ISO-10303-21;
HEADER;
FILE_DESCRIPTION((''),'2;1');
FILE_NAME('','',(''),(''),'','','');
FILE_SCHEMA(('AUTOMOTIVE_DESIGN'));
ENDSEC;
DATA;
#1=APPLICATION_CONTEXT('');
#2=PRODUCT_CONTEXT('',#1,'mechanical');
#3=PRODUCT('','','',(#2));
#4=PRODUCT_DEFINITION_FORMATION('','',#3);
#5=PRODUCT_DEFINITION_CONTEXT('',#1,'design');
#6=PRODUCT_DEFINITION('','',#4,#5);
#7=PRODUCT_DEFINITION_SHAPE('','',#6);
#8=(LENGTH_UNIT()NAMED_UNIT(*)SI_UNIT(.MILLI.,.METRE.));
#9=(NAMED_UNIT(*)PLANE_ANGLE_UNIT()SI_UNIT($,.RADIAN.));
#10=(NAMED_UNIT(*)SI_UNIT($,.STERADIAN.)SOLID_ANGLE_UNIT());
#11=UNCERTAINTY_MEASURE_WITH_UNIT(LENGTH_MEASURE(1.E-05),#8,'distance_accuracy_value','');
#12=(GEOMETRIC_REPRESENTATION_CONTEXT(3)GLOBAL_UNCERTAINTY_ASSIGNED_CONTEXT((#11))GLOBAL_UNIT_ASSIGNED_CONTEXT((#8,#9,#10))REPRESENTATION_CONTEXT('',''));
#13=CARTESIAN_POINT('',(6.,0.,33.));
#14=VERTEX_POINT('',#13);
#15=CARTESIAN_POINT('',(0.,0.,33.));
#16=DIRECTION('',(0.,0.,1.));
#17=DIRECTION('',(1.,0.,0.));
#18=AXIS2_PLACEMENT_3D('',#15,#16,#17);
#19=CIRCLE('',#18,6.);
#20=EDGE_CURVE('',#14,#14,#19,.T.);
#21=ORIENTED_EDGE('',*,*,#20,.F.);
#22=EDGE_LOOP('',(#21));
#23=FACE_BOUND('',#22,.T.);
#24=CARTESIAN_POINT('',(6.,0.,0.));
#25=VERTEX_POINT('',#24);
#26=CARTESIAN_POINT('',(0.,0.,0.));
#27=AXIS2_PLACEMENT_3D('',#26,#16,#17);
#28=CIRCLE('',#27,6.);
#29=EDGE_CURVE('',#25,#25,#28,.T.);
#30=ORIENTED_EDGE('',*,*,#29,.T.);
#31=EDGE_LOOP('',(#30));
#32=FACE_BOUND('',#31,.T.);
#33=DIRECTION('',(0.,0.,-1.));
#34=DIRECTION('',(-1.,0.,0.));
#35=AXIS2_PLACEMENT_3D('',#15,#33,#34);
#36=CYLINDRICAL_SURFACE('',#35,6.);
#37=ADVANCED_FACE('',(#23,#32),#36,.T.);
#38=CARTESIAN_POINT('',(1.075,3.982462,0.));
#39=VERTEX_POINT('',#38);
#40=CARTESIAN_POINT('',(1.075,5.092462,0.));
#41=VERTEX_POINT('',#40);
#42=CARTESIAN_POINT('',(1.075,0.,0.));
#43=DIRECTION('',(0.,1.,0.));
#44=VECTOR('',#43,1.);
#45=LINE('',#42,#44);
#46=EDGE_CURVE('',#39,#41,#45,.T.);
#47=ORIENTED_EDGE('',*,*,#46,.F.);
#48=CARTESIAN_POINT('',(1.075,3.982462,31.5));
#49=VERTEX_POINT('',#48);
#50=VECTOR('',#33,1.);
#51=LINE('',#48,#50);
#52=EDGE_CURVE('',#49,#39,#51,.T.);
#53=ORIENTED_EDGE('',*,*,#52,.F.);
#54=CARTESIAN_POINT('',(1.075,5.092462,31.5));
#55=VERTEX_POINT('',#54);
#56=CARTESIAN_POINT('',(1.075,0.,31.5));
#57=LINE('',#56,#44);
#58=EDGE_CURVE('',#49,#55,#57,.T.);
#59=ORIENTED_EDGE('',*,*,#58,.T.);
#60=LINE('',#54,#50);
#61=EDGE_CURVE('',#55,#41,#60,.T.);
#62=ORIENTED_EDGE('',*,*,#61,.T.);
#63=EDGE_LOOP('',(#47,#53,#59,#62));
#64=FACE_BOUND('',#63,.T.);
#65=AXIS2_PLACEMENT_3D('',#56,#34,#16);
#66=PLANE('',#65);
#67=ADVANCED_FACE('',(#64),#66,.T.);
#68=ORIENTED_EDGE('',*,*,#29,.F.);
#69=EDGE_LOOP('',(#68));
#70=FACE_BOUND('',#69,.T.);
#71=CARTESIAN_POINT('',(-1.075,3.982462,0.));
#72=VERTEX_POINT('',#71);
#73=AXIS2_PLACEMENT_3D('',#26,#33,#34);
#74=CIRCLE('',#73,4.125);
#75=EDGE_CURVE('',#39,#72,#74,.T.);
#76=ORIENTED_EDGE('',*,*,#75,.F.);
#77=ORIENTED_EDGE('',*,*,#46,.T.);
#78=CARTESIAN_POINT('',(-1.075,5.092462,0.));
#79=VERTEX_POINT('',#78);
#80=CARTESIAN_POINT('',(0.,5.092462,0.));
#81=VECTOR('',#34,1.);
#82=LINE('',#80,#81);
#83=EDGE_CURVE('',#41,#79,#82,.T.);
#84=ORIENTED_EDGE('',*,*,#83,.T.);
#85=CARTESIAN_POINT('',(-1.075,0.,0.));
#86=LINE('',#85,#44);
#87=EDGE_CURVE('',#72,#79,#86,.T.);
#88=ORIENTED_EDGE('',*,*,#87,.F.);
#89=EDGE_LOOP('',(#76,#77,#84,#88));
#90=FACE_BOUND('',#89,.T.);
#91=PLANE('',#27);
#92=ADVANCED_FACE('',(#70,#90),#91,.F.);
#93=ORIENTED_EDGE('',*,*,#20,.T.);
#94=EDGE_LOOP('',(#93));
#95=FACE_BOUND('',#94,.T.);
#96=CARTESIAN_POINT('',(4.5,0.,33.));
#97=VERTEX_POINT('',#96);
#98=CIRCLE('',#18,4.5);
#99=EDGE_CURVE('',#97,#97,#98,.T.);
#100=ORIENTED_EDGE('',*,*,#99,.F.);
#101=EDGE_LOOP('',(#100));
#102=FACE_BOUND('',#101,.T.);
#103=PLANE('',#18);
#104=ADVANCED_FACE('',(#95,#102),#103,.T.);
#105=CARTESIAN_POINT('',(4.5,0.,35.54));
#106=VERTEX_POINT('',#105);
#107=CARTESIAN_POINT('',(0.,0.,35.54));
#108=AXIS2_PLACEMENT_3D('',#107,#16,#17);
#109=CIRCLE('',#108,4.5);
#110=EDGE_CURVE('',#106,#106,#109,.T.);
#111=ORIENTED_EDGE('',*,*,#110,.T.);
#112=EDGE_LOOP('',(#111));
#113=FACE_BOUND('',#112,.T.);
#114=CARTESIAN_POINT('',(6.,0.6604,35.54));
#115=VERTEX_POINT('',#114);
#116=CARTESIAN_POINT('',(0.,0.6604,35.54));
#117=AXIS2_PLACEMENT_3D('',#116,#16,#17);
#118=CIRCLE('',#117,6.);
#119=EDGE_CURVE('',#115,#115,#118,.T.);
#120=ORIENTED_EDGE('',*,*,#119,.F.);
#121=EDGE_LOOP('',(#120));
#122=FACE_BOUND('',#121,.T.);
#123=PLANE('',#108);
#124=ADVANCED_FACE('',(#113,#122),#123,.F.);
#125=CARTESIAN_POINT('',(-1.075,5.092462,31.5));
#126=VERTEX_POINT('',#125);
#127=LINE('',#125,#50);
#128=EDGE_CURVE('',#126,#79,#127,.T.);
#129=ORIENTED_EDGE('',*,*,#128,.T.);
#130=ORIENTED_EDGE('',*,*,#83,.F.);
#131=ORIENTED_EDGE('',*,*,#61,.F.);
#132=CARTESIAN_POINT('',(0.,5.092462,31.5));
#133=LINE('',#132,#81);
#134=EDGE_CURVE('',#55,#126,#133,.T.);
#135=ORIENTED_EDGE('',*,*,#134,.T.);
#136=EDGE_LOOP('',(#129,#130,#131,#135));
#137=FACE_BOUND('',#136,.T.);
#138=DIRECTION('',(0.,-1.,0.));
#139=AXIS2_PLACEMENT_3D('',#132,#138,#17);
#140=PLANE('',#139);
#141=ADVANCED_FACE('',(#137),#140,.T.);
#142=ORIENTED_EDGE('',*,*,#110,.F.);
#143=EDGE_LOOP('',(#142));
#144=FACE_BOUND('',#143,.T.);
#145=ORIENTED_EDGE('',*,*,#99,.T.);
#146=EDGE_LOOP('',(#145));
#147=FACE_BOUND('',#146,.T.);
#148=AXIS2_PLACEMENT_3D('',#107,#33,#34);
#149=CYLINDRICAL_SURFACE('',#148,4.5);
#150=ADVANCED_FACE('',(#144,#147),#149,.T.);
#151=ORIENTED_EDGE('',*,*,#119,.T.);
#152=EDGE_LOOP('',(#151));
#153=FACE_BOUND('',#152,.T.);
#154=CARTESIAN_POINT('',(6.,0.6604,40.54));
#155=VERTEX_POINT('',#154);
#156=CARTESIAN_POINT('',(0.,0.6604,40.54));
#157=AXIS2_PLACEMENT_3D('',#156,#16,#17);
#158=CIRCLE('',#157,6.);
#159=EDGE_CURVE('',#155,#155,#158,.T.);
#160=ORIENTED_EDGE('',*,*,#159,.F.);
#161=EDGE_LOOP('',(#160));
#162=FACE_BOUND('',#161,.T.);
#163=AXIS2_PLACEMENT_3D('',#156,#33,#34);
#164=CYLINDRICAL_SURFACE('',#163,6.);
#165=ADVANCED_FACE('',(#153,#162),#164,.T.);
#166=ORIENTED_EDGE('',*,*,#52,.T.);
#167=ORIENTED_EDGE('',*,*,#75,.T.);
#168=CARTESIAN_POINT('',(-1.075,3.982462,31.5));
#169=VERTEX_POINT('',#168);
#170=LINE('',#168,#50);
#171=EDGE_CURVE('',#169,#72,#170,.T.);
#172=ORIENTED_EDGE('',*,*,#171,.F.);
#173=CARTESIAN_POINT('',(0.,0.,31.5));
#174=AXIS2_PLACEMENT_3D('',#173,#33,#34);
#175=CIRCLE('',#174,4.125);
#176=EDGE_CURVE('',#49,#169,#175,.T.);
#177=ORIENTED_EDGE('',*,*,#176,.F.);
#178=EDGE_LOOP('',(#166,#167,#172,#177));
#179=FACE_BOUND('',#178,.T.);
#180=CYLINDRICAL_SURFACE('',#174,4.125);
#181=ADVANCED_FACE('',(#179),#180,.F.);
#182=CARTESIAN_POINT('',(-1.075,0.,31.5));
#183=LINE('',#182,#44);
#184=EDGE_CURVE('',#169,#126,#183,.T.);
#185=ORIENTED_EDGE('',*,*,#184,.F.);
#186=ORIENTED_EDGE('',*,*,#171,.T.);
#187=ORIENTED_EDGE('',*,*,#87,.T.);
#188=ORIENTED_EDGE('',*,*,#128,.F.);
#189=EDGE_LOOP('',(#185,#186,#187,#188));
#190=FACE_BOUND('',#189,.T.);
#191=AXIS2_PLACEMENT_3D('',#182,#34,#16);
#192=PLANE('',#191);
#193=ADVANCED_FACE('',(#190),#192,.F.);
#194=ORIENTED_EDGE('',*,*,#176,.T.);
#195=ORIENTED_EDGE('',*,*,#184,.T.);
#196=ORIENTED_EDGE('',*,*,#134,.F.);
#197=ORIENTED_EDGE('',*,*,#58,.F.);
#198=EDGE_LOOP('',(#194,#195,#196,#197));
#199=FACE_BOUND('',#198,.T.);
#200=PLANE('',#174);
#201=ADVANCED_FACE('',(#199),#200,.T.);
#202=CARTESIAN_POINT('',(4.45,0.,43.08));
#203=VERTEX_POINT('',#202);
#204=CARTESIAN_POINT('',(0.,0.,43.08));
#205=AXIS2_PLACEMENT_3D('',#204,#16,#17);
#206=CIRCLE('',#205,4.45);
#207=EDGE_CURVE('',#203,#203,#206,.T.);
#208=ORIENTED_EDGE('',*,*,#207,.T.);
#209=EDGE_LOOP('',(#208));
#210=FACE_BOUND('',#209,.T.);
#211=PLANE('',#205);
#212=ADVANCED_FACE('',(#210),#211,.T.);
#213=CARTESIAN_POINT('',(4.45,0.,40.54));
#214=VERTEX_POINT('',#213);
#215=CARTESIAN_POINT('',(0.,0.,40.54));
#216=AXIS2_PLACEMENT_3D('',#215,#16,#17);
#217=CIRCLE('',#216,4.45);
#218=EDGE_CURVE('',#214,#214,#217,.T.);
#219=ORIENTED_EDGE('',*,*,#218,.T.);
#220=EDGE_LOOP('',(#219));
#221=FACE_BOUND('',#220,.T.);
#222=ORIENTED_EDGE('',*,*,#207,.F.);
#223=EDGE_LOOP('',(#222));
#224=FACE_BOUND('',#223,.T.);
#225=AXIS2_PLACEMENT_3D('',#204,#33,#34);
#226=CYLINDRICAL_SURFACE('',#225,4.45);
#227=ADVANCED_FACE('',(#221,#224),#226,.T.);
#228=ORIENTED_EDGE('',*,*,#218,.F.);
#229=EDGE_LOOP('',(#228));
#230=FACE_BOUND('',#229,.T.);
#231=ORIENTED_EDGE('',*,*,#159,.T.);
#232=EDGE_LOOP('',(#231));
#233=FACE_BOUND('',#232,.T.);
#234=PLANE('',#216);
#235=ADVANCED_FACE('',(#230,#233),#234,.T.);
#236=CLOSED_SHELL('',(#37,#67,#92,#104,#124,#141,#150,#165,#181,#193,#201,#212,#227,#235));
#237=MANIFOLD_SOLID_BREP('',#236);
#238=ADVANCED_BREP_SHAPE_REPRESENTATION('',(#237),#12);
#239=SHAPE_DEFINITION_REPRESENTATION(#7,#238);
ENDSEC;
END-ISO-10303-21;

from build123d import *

# Parameters (mm, degrees)
SKETCH1_R           = 6
BOSS_EXTRUDE1_DEPTH = 33
SKETCH7_R           = 4.5
BOSS_EXTRUDE7_DEPTH = 2.54
SKETCH3_R           = 6
BOSS_EXTRUDE3_DEPTH = 5
SKETCH4_R           = 4.45
BOSS_EXTRUDE4_DEPTH = 2.54
CUT_EXTRUDE1_DEPTH  = 31.5


with BuildPart() as part:
    # Sketch1 → Boss-Extrude1 (new body)
    with BuildSketch(Plane.XY):
        Circle(SKETCH1_R)
    extrude(amount=BOSS_EXTRUDE1_DEPTH)

    # Sketch7 → Boss-Extrude7 (add)
    with BuildSketch(Plane.XY.offset(33)):
        Circle(SKETCH7_R)
    extrude(amount=BOSS_EXTRUDE7_DEPTH)

    # Sketch3 → Boss-Extrude3 (add)
    with BuildSketch(Plane.XY.offset(35.54)):
        with Locations((0, 0.6604)):
            Circle(SKETCH3_R)
    extrude(amount=BOSS_EXTRUDE3_DEPTH)

    # Sketch4 → Boss-Extrude4 (add)
    with BuildSketch(Plane.XY.offset(40.54)):
        Circle(SKETCH4_R)
    extrude(amount=BOSS_EXTRUDE4_DEPTH)

    # Sketch5 → Cut-Extrude1 (cut)
    with BuildSketch(Plane(origin=(0, 0, 0), x_dir=(-1, 0, 0), z_dir=(0, 0, -1))):
        with BuildLine():
            Line((-1.075, 5.09246155), (-1.075, 3.98246155))
            ThreePointArc((-1.075, 3.98246155), (0, 4.125), (1.075, 3.98246155))
            Line((1.075, 3.98246155), (1.075, 5.09246155))
            Line((1.075, 5.09246155), (-1.075, 5.09246155))
        make_face()
        with BuildLine():
            ThreePointArc((1.075, 3.98246155), (0, 4.125), (-1.075, 3.98246155))
            Line((-1.075, 3.98246155), (1.075, 3.98246155))
        make_face()
        with BuildLine():
            Line((1.075, 3.98246155), (-1.075, 3.98246155))
            ThreePointArc((-1.075, 3.98246155), (-2.50811184, -3.274904579), (4.125, 0))
            ThreePointArc((4.125, 0), (3.274904579, 2.50811184), (1.075, 3.98246155))
        make_face()
    extrude(amount=-CUT_EXTRUDE1_DEPTH, mode=Mode.SUBTRACT)


solid = part.part
